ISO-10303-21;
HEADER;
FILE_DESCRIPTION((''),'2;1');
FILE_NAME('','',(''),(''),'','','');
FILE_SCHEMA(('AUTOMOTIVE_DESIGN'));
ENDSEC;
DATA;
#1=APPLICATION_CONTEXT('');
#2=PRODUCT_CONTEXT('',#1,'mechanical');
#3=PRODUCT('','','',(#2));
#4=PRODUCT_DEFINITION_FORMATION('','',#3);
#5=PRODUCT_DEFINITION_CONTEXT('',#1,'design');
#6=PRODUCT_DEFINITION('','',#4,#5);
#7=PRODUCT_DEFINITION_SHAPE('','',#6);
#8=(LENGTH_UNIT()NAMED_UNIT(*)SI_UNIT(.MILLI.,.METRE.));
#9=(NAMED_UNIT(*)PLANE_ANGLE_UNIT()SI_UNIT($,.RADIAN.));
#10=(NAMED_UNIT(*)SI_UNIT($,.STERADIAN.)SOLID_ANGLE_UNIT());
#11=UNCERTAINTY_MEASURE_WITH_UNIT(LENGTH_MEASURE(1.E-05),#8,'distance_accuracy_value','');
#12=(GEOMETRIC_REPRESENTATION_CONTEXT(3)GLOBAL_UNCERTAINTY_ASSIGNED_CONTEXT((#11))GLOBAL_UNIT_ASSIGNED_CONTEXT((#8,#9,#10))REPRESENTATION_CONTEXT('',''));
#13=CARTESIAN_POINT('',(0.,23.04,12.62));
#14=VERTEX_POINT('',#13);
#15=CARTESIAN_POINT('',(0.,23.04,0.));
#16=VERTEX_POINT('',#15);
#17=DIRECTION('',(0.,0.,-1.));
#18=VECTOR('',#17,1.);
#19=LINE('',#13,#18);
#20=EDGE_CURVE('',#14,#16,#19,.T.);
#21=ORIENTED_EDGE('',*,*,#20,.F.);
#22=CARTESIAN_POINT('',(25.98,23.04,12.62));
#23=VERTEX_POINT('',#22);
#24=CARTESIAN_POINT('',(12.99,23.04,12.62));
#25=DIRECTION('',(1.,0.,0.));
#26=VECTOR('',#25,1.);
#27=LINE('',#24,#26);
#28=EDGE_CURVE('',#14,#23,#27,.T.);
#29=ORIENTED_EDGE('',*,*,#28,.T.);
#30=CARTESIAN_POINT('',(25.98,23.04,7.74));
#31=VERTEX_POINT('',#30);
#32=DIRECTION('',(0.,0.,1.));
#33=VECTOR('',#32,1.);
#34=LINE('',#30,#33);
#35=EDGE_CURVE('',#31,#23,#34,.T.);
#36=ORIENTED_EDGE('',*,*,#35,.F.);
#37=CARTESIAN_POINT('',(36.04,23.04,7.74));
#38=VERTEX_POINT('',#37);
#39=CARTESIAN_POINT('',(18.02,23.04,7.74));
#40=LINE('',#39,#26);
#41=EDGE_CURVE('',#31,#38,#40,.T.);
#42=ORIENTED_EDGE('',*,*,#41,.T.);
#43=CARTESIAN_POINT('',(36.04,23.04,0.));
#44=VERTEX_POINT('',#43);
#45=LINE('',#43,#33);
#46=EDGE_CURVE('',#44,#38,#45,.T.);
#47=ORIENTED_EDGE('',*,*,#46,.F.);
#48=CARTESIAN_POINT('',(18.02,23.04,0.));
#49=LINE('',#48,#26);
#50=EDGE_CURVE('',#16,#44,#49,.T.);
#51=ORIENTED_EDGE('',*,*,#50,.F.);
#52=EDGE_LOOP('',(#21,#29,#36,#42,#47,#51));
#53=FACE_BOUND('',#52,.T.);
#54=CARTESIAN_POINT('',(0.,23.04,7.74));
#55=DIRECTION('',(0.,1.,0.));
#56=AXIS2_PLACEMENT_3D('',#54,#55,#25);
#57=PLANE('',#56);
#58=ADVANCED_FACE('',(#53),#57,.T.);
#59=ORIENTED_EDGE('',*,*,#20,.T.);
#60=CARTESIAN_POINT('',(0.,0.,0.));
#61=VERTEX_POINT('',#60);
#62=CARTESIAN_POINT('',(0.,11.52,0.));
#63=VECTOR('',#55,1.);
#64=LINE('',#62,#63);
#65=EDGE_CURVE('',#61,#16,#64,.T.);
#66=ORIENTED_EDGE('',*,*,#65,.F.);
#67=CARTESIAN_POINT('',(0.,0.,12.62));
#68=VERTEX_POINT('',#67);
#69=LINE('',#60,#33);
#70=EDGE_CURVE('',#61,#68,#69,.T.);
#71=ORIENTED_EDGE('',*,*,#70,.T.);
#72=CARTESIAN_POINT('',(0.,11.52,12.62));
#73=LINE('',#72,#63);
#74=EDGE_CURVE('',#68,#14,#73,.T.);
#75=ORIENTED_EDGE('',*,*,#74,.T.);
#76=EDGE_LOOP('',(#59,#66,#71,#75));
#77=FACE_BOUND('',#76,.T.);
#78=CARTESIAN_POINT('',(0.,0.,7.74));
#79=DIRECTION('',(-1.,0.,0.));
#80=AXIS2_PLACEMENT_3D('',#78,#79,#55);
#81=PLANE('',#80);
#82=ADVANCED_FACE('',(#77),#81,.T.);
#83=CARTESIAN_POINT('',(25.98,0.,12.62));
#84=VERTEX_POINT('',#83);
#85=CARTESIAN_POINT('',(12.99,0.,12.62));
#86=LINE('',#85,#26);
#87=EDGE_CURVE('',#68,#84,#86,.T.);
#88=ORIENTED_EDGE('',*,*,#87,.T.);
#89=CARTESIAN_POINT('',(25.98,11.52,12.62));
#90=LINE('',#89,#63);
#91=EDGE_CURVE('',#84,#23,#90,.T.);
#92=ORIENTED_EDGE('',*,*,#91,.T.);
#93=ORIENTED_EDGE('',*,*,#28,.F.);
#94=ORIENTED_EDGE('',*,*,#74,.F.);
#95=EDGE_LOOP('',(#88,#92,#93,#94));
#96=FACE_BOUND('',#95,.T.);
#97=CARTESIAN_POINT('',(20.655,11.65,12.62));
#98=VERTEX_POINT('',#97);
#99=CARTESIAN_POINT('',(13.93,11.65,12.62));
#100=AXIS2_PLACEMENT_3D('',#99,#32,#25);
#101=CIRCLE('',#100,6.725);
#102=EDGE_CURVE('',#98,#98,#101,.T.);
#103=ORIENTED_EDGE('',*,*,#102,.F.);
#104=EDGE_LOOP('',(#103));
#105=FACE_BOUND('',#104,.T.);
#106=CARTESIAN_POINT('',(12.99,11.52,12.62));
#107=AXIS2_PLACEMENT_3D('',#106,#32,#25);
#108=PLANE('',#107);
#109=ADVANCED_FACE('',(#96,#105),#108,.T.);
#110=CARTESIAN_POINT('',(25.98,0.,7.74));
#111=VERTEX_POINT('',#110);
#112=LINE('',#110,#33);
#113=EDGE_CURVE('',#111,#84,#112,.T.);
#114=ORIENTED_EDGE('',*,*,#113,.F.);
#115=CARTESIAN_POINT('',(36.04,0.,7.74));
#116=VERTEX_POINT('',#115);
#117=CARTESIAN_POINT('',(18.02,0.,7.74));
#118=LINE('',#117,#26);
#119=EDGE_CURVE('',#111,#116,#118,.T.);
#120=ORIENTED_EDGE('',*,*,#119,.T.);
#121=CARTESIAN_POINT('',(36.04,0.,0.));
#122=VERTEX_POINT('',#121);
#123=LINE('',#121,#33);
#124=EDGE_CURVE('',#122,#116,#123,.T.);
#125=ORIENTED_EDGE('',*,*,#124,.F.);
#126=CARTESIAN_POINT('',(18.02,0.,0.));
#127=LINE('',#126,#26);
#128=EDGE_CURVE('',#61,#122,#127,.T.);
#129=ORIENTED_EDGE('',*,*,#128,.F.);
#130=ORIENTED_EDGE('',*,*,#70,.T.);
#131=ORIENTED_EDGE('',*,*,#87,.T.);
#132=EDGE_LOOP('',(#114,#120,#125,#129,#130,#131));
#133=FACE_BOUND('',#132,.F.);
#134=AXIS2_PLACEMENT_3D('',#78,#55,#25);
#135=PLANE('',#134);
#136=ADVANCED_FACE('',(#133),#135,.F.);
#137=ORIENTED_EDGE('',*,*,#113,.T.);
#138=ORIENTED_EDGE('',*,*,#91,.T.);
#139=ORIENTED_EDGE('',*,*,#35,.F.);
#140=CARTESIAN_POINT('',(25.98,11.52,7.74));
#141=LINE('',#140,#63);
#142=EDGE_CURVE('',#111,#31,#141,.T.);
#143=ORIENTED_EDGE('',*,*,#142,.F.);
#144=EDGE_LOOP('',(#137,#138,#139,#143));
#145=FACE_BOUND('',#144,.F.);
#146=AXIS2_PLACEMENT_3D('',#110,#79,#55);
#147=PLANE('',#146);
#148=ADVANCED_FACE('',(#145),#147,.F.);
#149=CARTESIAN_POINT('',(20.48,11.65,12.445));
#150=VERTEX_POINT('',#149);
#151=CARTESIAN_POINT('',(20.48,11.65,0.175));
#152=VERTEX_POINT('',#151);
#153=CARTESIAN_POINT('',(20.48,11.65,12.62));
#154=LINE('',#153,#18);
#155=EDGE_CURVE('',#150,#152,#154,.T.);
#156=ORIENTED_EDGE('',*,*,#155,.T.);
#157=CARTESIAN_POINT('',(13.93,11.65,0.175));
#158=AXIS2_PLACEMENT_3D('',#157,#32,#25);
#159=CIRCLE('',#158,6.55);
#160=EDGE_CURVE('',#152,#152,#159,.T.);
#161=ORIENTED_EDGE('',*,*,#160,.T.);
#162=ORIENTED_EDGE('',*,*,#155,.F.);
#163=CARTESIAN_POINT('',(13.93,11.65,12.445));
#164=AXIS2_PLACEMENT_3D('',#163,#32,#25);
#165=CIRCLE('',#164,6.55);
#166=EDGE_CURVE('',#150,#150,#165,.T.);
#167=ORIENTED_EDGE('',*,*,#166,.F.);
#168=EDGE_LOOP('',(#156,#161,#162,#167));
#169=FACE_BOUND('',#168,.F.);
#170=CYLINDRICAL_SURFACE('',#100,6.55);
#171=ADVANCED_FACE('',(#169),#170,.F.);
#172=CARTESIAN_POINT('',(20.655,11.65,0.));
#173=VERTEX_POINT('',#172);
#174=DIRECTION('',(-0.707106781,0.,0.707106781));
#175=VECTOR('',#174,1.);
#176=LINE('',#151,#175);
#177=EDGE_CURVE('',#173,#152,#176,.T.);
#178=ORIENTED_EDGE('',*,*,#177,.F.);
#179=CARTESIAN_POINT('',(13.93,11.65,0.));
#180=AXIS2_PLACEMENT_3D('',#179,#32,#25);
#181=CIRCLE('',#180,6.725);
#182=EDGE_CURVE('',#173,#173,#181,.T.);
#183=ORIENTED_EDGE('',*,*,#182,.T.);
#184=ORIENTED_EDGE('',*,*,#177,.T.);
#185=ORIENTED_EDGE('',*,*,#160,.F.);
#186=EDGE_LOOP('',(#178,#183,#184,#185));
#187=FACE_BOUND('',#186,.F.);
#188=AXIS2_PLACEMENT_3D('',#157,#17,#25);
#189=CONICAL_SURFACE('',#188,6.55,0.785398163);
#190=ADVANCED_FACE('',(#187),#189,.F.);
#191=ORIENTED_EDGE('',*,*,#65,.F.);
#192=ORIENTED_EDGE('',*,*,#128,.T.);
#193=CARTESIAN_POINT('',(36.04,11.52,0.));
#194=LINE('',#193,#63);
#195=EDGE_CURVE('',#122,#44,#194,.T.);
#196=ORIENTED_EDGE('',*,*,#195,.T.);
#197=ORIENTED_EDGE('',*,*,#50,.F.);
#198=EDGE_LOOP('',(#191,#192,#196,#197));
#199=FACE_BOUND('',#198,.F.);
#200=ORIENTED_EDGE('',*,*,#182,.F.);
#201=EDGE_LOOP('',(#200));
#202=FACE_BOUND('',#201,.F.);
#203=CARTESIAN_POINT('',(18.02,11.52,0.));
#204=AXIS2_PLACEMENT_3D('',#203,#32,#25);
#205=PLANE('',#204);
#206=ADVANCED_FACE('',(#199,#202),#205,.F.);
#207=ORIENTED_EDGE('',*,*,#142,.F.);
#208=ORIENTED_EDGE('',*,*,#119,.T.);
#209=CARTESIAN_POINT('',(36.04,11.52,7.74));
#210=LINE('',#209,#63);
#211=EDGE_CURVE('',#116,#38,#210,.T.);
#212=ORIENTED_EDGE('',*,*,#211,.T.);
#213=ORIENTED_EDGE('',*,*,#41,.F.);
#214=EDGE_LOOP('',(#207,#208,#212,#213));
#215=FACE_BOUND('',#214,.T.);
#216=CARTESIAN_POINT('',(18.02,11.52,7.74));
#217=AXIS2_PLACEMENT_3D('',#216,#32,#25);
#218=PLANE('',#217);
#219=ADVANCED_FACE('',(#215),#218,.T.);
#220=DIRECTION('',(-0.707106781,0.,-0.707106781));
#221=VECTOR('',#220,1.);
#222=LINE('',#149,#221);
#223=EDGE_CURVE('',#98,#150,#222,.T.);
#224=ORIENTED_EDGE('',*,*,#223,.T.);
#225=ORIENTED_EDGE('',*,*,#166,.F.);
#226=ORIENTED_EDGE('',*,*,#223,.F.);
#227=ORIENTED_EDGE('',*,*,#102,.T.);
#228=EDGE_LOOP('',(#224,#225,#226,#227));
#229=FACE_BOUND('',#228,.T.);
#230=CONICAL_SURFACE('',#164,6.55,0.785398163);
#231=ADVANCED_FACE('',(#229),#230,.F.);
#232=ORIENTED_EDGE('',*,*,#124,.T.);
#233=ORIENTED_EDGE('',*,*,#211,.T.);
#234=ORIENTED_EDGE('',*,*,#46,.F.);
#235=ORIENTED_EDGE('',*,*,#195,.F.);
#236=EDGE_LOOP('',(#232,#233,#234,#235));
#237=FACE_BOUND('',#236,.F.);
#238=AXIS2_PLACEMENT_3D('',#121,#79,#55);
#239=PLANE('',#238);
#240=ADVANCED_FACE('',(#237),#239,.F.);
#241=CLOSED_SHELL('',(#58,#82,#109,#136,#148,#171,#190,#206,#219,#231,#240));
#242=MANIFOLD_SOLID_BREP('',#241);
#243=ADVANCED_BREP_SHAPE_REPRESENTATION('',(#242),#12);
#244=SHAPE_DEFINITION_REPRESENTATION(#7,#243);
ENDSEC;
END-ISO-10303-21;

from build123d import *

# Parameters (mm, degrees)
F0_W     = 36.04
F0_H     = 23.04
F1_DEPTH = 7.74
F2_W     = 25.98
F2_H     = 23.04
F3_DEPTH = 4.88
F4_R     = 6.55
F5_DEPTH = 12.621
F6_SIZE2 = 0.175
F6_SIZE  = 0.175


with BuildPart() as f1:
    # F0 (on Top) → F1 (new body)
    with BuildSketch(Plane.XY):
        with Locations((18.02, 11.52)):
            Rectangle(F0_W, F0_H)
    extrude(amount=F1_DEPTH)

    # F2 (on face) → F3 (join)
    with BuildSketch(Plane.XY.offset(7.74)):
        with Locations((12.99, 11.52)):
            Rectangle(F2_W, F2_H)
    extrude(amount=F3_DEPTH)

    # F4 (on face) → F5 (cut, through all)
    with BuildSketch(Plane.XY.offset(12.62)):
        with Locations((13.93, 11.65)):
            Circle(F4_R)
    extrude(amount=-F5_DEPTH, mode=Mode.SUBTRACT)

    # F6
    f6_edges = [f1.edges().sort_by_distance(p)[0] for p in [
        (7.38, 11.65, 12.62),
        (7.38, 11.65, 0),
    ]]
    chamfer(f6_edges, length=F6_SIZE, length2=F6_SIZE2)


solid = f1.part
